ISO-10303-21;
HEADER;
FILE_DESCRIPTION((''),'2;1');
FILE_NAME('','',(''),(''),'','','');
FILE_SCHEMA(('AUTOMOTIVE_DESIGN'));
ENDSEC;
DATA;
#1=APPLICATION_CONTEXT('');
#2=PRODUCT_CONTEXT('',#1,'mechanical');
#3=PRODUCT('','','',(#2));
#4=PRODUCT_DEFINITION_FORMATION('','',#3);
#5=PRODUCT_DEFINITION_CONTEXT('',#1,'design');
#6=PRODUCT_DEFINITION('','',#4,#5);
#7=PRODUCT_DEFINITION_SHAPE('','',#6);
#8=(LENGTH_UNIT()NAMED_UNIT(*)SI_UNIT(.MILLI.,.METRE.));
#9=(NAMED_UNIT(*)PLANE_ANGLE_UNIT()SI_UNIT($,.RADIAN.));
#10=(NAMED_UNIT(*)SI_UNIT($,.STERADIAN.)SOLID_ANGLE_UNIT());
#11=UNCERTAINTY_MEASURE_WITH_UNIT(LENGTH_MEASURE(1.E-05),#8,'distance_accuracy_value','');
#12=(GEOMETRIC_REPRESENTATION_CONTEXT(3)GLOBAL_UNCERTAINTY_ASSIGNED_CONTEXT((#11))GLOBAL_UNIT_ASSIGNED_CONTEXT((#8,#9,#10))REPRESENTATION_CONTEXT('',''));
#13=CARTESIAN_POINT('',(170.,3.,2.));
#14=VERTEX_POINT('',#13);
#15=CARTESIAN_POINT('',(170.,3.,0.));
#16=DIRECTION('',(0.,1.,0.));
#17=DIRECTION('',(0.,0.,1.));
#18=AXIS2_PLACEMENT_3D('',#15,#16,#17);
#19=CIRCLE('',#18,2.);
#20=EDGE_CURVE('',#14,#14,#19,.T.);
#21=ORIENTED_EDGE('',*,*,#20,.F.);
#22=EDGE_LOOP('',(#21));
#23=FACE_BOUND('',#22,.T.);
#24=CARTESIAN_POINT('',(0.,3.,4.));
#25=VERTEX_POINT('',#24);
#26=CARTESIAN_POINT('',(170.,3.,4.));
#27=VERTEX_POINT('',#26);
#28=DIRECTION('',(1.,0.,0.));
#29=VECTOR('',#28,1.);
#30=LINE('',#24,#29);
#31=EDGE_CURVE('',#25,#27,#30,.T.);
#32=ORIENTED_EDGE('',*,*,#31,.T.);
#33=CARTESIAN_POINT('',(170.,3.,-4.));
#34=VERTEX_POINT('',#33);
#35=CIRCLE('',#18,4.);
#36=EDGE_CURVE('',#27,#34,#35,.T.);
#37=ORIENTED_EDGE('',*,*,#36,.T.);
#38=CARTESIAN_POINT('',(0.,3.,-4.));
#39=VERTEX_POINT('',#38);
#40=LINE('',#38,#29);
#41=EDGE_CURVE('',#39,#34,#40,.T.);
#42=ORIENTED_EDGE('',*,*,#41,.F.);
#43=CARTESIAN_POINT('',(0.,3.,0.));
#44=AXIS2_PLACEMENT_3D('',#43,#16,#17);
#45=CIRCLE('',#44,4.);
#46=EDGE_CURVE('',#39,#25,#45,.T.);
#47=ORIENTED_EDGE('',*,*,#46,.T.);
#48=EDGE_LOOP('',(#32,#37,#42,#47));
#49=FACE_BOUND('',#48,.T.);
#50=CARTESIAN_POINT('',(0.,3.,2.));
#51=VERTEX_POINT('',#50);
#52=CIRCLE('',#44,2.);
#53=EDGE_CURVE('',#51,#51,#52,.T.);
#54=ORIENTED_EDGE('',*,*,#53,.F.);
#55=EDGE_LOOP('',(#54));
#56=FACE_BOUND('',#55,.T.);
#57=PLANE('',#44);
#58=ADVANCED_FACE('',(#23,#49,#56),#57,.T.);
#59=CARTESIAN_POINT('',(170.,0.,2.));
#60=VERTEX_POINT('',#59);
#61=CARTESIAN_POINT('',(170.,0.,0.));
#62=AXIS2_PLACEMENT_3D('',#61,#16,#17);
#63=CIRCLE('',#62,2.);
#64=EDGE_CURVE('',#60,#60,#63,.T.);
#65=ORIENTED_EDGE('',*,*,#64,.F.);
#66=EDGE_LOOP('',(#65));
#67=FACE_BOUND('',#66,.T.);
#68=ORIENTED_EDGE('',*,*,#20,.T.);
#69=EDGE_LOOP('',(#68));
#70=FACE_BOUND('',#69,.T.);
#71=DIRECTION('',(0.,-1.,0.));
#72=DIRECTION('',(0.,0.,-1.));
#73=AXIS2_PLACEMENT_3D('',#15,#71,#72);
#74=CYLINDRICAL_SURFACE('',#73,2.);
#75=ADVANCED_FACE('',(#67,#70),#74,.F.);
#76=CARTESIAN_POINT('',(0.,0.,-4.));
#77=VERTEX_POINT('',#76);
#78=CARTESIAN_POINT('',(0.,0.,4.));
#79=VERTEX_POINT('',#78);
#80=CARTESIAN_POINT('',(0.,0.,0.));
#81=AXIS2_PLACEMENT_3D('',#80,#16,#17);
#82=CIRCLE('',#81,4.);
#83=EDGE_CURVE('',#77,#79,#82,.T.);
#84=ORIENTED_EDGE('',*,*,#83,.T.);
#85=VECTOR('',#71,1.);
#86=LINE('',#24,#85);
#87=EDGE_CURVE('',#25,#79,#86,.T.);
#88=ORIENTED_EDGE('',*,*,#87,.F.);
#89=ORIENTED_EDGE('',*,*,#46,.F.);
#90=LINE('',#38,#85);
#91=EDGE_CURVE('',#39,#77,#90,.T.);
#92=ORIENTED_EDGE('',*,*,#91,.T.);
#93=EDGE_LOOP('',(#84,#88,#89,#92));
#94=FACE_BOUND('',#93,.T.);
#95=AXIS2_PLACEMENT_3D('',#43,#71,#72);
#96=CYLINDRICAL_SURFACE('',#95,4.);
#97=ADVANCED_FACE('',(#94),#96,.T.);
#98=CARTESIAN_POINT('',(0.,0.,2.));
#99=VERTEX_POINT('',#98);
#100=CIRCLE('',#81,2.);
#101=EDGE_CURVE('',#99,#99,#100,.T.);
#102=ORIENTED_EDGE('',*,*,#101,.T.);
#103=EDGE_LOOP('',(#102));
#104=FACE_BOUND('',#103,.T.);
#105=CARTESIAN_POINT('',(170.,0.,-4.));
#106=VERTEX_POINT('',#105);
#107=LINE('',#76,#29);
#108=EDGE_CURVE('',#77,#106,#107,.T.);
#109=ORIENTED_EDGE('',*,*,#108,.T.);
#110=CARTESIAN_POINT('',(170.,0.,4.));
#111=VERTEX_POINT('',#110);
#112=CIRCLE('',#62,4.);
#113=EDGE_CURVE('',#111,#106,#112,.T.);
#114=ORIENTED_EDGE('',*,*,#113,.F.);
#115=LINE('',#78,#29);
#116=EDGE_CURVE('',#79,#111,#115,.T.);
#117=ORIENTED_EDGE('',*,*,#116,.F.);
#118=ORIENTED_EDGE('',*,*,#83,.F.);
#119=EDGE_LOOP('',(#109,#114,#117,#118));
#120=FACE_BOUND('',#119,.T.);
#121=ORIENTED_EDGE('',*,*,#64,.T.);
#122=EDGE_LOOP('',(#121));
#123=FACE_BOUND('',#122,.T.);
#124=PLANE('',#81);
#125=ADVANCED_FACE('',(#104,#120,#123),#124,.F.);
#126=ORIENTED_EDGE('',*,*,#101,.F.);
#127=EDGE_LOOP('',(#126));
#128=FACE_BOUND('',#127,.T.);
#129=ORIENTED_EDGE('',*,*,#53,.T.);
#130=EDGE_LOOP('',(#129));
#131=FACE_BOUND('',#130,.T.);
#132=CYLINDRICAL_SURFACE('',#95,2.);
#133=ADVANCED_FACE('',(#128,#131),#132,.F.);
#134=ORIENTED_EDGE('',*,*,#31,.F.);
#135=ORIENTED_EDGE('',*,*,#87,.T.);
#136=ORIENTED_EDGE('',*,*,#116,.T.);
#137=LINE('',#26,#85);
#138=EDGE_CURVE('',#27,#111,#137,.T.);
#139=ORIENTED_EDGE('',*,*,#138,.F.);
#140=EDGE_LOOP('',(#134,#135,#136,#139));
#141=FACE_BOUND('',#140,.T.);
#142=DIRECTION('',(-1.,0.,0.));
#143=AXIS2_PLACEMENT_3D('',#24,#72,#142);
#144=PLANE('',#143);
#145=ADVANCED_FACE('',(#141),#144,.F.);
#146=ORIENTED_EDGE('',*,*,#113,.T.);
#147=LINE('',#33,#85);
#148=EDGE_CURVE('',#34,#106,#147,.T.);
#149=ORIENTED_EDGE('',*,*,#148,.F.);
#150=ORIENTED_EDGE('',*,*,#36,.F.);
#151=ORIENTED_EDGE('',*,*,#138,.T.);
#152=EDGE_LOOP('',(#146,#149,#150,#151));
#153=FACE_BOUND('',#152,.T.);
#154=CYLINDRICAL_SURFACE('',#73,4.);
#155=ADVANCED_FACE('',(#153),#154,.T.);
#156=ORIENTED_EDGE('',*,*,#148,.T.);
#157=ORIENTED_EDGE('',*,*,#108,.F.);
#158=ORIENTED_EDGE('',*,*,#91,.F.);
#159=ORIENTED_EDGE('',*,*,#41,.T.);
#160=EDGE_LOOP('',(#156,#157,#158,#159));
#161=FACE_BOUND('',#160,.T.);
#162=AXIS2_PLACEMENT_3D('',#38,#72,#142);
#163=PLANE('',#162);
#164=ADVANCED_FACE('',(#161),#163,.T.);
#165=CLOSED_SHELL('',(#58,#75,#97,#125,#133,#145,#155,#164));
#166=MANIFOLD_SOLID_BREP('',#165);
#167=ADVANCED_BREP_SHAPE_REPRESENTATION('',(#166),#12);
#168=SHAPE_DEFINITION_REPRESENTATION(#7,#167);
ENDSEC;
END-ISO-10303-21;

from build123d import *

# Parameters (mm, degrees)
SKETCH1_R           = 2
BOSS_EXTRUDE1_DEPTH = 3


with BuildPart() as part:
    # Sketch1 → Boss-Extrude1 (new body)
    with BuildSketch(Plane(origin=(0, 0, 0), x_dir=(1, 0, 0), z_dir=(0, 1, 0))):
        with BuildLine():
            Line((170, 4), (0, 4))
            ThreePointArc((0, 4), (-4, 0), (0, -4))
            Line((0, -4), (170, -4))
            ThreePointArc((170, -4), (174, 0), (170, 4))
        make_face()
        with Locations(Location((0, 0, 0), (0, 0, 270))):
            Circle(SKETCH1_R, mode=Mode.SUBTRACT)
        with Locations(Location((170, 0, 0), (0, 0, 270))):
            Circle(SKETCH1_R, mode=Mode.SUBTRACT)
    extrude(amount=BOSS_EXTRUDE1_DEPTH)


solid = part.part
